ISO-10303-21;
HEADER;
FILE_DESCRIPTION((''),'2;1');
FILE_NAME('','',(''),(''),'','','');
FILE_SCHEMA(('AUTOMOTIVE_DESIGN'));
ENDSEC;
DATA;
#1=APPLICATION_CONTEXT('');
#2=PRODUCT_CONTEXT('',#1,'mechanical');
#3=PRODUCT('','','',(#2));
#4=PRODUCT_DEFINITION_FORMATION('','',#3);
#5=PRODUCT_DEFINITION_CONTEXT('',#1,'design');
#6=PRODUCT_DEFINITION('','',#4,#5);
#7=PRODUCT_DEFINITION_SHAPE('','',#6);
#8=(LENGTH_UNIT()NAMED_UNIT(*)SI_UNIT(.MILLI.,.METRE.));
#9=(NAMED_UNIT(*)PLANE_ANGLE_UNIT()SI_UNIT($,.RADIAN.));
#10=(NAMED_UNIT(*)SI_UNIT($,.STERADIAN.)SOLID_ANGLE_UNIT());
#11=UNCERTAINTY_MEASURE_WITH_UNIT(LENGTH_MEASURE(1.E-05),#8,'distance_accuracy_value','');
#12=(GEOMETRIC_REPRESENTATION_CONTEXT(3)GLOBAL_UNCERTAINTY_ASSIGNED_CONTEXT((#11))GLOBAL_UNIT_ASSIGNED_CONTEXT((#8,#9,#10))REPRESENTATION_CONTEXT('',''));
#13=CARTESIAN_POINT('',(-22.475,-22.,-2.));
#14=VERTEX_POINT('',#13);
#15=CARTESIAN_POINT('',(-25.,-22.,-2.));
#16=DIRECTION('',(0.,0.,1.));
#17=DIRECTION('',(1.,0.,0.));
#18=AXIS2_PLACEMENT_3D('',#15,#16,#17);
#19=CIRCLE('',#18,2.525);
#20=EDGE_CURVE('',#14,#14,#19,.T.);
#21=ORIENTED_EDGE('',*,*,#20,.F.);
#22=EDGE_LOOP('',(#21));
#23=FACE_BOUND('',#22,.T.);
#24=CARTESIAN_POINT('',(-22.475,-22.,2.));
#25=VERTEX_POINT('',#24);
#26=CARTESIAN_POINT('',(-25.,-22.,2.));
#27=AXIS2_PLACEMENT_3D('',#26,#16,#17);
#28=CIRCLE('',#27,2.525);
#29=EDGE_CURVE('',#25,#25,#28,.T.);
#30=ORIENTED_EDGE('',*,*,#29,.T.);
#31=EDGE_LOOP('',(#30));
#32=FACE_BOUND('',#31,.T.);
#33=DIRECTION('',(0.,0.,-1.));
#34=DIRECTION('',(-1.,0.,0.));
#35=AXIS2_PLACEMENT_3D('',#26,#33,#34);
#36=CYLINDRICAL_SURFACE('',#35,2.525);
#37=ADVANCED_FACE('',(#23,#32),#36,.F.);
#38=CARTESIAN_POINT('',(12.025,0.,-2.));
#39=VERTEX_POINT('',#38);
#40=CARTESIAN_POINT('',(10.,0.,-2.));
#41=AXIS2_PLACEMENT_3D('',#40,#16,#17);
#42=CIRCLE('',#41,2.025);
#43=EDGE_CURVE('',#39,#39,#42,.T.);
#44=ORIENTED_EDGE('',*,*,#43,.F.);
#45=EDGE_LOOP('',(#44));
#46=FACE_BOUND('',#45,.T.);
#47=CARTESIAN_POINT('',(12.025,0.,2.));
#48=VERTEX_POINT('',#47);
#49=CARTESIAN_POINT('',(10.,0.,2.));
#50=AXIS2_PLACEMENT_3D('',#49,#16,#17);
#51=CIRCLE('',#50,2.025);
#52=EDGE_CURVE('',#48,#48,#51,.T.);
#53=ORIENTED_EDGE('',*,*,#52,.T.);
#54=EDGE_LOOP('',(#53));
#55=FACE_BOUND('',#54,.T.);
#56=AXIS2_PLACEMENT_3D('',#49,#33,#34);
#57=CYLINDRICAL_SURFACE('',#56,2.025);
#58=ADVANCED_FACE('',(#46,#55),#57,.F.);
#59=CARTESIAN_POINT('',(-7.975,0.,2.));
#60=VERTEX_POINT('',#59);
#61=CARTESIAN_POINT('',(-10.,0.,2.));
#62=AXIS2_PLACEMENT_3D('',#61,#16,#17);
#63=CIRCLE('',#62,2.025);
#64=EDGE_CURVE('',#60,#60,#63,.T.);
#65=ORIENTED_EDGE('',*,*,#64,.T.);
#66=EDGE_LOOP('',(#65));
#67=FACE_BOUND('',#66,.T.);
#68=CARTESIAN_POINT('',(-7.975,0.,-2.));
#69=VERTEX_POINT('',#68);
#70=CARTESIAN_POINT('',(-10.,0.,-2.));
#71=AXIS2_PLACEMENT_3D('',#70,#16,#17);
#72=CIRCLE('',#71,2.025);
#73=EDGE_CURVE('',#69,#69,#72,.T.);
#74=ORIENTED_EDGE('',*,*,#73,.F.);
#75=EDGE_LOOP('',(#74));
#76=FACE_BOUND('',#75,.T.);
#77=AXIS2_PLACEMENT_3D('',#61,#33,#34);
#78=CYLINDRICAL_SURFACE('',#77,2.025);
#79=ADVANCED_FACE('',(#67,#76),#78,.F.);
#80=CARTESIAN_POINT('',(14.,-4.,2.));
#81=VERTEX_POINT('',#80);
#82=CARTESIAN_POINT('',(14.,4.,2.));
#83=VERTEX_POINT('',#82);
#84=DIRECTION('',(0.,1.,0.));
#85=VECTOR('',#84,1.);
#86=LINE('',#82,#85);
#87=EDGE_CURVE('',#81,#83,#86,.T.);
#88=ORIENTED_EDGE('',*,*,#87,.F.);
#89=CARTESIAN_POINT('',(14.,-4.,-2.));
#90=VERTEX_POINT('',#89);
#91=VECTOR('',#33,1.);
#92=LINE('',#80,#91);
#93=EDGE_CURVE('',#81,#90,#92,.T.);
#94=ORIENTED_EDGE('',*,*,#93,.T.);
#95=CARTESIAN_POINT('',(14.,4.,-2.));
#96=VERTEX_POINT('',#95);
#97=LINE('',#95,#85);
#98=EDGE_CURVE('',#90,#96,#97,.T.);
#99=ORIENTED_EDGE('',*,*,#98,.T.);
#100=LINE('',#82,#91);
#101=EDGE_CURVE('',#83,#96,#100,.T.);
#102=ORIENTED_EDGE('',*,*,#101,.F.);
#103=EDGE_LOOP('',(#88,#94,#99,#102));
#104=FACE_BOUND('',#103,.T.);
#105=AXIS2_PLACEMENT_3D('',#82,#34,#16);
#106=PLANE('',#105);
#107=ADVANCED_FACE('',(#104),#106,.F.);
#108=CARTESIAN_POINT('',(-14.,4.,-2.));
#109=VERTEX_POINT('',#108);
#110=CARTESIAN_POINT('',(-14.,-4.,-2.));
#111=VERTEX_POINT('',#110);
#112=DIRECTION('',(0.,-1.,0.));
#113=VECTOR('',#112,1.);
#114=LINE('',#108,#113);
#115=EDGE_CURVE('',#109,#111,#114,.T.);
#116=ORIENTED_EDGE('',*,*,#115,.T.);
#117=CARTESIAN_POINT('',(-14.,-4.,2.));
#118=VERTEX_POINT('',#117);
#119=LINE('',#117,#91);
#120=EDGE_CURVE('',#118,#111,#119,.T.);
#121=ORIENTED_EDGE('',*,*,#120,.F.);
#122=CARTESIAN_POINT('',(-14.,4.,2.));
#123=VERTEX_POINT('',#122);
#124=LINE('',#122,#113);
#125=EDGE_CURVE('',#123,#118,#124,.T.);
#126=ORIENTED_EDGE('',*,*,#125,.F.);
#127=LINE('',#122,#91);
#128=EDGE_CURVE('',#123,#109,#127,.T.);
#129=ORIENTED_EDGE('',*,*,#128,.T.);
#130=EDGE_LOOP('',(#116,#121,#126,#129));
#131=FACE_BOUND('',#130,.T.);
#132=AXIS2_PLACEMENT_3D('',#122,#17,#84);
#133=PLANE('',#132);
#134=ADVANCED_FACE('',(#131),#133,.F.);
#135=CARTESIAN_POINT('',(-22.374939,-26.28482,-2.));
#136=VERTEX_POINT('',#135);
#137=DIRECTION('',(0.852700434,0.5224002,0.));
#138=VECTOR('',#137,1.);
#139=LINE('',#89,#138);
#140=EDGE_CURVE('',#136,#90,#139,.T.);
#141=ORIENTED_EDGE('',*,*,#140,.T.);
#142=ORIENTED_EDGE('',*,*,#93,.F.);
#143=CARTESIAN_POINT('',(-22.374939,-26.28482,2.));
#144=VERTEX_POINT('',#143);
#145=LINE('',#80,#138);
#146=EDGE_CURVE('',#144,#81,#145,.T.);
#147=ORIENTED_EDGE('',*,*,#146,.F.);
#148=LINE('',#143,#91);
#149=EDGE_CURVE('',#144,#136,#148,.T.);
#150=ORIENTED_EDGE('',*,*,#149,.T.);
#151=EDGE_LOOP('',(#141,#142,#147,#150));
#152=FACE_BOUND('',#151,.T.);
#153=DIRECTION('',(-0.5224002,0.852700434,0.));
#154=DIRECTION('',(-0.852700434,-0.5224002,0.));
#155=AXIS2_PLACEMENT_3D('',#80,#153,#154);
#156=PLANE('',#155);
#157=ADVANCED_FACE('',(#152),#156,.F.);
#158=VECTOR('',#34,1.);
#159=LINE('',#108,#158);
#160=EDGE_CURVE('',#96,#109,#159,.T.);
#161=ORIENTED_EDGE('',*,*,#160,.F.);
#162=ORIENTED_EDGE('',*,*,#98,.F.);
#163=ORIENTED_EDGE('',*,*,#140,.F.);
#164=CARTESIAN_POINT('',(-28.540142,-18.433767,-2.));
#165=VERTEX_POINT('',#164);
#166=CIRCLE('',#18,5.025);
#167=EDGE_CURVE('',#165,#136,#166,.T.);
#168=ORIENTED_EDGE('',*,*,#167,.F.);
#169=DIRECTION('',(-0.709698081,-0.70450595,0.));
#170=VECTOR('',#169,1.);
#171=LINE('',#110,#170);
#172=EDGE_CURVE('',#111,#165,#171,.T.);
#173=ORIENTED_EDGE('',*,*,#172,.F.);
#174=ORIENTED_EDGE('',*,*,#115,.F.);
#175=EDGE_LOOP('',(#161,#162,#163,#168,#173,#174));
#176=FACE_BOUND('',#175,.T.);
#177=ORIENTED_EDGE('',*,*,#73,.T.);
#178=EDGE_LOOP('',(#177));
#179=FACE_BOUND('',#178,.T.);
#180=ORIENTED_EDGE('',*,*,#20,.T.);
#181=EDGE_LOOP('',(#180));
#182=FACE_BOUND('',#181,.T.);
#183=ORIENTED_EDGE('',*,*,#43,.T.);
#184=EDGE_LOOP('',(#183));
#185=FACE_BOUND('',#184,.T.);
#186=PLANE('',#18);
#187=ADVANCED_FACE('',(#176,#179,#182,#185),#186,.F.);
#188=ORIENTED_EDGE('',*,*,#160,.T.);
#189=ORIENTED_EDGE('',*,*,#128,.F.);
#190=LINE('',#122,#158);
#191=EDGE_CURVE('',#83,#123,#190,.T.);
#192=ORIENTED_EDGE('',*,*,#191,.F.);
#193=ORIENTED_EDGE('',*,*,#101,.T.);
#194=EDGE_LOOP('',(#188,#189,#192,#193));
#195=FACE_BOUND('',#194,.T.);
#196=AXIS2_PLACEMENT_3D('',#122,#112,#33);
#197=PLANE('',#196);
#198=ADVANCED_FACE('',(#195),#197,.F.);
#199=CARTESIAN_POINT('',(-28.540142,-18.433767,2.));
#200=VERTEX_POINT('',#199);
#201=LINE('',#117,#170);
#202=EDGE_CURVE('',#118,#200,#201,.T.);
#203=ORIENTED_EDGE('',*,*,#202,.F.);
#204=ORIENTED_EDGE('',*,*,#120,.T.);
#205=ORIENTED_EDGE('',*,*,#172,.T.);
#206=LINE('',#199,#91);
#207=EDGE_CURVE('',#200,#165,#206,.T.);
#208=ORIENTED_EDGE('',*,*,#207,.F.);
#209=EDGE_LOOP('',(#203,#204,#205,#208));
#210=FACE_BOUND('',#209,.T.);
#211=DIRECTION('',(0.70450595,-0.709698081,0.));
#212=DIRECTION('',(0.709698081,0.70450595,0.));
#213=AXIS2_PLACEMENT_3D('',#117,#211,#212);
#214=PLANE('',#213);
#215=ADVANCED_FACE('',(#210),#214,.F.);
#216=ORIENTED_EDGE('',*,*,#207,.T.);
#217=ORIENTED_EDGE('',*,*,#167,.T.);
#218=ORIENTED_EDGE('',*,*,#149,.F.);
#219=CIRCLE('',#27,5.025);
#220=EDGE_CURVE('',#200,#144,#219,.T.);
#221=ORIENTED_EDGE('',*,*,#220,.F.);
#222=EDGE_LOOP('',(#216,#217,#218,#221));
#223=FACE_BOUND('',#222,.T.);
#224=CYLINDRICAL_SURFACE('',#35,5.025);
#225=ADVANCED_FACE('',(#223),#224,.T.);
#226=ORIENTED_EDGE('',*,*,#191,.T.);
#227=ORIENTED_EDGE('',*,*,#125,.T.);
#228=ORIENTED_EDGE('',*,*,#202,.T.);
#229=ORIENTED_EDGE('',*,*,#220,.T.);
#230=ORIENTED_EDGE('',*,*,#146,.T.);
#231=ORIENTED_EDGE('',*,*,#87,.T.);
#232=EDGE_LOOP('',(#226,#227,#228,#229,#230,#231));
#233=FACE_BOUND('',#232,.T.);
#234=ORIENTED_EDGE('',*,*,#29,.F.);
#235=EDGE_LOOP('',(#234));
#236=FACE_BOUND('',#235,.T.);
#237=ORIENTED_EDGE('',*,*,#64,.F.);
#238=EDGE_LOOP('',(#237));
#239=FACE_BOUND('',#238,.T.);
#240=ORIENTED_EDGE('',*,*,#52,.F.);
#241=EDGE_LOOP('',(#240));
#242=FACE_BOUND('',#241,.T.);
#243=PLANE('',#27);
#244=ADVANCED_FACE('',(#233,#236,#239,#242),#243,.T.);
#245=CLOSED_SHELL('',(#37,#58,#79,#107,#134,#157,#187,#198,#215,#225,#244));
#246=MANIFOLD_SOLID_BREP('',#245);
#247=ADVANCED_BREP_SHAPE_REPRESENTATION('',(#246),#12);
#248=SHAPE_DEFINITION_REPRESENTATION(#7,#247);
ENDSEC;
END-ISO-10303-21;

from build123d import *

# Parameters (mm, degrees)
SKETCH_1_R      = 2.025
SKETCH_1_R_2    = 2.525
EXTRUDE_1_DEPTH = 2


with BuildPart() as part:
    # 草图1 → 凸台-拉伸1 (new, symmetric)
    with BuildSketch(Plane.XY):
        with BuildLine():
            Line((-14, 4), (14, 4))
            Line((14, 4), (14, -4))
            Line((14, -4), (-22.374938993, -26.284819682))
            ThreePointArc((-22.374938993, -26.284819682), (-28.952100704, -25.103469836), (-28.540142401, -18.433767144))
            Line((-28.540142401, -18.433767144), (-14, -4))
            Line((-14, -4), (-14, 4))
        make_face()
        with Locations((10, 0)):
            Circle(SKETCH_1_R, mode=Mode.SUBTRACT)
        with Locations((-10, 0)):
            Circle(SKETCH_1_R, mode=Mode.SUBTRACT)
        with Locations((-25, -22)):
            Circle(SKETCH_1_R_2, mode=Mode.SUBTRACT)
    extrude(amount=EXTRUDE_1_DEPTH, both=True)


solid = part.part
